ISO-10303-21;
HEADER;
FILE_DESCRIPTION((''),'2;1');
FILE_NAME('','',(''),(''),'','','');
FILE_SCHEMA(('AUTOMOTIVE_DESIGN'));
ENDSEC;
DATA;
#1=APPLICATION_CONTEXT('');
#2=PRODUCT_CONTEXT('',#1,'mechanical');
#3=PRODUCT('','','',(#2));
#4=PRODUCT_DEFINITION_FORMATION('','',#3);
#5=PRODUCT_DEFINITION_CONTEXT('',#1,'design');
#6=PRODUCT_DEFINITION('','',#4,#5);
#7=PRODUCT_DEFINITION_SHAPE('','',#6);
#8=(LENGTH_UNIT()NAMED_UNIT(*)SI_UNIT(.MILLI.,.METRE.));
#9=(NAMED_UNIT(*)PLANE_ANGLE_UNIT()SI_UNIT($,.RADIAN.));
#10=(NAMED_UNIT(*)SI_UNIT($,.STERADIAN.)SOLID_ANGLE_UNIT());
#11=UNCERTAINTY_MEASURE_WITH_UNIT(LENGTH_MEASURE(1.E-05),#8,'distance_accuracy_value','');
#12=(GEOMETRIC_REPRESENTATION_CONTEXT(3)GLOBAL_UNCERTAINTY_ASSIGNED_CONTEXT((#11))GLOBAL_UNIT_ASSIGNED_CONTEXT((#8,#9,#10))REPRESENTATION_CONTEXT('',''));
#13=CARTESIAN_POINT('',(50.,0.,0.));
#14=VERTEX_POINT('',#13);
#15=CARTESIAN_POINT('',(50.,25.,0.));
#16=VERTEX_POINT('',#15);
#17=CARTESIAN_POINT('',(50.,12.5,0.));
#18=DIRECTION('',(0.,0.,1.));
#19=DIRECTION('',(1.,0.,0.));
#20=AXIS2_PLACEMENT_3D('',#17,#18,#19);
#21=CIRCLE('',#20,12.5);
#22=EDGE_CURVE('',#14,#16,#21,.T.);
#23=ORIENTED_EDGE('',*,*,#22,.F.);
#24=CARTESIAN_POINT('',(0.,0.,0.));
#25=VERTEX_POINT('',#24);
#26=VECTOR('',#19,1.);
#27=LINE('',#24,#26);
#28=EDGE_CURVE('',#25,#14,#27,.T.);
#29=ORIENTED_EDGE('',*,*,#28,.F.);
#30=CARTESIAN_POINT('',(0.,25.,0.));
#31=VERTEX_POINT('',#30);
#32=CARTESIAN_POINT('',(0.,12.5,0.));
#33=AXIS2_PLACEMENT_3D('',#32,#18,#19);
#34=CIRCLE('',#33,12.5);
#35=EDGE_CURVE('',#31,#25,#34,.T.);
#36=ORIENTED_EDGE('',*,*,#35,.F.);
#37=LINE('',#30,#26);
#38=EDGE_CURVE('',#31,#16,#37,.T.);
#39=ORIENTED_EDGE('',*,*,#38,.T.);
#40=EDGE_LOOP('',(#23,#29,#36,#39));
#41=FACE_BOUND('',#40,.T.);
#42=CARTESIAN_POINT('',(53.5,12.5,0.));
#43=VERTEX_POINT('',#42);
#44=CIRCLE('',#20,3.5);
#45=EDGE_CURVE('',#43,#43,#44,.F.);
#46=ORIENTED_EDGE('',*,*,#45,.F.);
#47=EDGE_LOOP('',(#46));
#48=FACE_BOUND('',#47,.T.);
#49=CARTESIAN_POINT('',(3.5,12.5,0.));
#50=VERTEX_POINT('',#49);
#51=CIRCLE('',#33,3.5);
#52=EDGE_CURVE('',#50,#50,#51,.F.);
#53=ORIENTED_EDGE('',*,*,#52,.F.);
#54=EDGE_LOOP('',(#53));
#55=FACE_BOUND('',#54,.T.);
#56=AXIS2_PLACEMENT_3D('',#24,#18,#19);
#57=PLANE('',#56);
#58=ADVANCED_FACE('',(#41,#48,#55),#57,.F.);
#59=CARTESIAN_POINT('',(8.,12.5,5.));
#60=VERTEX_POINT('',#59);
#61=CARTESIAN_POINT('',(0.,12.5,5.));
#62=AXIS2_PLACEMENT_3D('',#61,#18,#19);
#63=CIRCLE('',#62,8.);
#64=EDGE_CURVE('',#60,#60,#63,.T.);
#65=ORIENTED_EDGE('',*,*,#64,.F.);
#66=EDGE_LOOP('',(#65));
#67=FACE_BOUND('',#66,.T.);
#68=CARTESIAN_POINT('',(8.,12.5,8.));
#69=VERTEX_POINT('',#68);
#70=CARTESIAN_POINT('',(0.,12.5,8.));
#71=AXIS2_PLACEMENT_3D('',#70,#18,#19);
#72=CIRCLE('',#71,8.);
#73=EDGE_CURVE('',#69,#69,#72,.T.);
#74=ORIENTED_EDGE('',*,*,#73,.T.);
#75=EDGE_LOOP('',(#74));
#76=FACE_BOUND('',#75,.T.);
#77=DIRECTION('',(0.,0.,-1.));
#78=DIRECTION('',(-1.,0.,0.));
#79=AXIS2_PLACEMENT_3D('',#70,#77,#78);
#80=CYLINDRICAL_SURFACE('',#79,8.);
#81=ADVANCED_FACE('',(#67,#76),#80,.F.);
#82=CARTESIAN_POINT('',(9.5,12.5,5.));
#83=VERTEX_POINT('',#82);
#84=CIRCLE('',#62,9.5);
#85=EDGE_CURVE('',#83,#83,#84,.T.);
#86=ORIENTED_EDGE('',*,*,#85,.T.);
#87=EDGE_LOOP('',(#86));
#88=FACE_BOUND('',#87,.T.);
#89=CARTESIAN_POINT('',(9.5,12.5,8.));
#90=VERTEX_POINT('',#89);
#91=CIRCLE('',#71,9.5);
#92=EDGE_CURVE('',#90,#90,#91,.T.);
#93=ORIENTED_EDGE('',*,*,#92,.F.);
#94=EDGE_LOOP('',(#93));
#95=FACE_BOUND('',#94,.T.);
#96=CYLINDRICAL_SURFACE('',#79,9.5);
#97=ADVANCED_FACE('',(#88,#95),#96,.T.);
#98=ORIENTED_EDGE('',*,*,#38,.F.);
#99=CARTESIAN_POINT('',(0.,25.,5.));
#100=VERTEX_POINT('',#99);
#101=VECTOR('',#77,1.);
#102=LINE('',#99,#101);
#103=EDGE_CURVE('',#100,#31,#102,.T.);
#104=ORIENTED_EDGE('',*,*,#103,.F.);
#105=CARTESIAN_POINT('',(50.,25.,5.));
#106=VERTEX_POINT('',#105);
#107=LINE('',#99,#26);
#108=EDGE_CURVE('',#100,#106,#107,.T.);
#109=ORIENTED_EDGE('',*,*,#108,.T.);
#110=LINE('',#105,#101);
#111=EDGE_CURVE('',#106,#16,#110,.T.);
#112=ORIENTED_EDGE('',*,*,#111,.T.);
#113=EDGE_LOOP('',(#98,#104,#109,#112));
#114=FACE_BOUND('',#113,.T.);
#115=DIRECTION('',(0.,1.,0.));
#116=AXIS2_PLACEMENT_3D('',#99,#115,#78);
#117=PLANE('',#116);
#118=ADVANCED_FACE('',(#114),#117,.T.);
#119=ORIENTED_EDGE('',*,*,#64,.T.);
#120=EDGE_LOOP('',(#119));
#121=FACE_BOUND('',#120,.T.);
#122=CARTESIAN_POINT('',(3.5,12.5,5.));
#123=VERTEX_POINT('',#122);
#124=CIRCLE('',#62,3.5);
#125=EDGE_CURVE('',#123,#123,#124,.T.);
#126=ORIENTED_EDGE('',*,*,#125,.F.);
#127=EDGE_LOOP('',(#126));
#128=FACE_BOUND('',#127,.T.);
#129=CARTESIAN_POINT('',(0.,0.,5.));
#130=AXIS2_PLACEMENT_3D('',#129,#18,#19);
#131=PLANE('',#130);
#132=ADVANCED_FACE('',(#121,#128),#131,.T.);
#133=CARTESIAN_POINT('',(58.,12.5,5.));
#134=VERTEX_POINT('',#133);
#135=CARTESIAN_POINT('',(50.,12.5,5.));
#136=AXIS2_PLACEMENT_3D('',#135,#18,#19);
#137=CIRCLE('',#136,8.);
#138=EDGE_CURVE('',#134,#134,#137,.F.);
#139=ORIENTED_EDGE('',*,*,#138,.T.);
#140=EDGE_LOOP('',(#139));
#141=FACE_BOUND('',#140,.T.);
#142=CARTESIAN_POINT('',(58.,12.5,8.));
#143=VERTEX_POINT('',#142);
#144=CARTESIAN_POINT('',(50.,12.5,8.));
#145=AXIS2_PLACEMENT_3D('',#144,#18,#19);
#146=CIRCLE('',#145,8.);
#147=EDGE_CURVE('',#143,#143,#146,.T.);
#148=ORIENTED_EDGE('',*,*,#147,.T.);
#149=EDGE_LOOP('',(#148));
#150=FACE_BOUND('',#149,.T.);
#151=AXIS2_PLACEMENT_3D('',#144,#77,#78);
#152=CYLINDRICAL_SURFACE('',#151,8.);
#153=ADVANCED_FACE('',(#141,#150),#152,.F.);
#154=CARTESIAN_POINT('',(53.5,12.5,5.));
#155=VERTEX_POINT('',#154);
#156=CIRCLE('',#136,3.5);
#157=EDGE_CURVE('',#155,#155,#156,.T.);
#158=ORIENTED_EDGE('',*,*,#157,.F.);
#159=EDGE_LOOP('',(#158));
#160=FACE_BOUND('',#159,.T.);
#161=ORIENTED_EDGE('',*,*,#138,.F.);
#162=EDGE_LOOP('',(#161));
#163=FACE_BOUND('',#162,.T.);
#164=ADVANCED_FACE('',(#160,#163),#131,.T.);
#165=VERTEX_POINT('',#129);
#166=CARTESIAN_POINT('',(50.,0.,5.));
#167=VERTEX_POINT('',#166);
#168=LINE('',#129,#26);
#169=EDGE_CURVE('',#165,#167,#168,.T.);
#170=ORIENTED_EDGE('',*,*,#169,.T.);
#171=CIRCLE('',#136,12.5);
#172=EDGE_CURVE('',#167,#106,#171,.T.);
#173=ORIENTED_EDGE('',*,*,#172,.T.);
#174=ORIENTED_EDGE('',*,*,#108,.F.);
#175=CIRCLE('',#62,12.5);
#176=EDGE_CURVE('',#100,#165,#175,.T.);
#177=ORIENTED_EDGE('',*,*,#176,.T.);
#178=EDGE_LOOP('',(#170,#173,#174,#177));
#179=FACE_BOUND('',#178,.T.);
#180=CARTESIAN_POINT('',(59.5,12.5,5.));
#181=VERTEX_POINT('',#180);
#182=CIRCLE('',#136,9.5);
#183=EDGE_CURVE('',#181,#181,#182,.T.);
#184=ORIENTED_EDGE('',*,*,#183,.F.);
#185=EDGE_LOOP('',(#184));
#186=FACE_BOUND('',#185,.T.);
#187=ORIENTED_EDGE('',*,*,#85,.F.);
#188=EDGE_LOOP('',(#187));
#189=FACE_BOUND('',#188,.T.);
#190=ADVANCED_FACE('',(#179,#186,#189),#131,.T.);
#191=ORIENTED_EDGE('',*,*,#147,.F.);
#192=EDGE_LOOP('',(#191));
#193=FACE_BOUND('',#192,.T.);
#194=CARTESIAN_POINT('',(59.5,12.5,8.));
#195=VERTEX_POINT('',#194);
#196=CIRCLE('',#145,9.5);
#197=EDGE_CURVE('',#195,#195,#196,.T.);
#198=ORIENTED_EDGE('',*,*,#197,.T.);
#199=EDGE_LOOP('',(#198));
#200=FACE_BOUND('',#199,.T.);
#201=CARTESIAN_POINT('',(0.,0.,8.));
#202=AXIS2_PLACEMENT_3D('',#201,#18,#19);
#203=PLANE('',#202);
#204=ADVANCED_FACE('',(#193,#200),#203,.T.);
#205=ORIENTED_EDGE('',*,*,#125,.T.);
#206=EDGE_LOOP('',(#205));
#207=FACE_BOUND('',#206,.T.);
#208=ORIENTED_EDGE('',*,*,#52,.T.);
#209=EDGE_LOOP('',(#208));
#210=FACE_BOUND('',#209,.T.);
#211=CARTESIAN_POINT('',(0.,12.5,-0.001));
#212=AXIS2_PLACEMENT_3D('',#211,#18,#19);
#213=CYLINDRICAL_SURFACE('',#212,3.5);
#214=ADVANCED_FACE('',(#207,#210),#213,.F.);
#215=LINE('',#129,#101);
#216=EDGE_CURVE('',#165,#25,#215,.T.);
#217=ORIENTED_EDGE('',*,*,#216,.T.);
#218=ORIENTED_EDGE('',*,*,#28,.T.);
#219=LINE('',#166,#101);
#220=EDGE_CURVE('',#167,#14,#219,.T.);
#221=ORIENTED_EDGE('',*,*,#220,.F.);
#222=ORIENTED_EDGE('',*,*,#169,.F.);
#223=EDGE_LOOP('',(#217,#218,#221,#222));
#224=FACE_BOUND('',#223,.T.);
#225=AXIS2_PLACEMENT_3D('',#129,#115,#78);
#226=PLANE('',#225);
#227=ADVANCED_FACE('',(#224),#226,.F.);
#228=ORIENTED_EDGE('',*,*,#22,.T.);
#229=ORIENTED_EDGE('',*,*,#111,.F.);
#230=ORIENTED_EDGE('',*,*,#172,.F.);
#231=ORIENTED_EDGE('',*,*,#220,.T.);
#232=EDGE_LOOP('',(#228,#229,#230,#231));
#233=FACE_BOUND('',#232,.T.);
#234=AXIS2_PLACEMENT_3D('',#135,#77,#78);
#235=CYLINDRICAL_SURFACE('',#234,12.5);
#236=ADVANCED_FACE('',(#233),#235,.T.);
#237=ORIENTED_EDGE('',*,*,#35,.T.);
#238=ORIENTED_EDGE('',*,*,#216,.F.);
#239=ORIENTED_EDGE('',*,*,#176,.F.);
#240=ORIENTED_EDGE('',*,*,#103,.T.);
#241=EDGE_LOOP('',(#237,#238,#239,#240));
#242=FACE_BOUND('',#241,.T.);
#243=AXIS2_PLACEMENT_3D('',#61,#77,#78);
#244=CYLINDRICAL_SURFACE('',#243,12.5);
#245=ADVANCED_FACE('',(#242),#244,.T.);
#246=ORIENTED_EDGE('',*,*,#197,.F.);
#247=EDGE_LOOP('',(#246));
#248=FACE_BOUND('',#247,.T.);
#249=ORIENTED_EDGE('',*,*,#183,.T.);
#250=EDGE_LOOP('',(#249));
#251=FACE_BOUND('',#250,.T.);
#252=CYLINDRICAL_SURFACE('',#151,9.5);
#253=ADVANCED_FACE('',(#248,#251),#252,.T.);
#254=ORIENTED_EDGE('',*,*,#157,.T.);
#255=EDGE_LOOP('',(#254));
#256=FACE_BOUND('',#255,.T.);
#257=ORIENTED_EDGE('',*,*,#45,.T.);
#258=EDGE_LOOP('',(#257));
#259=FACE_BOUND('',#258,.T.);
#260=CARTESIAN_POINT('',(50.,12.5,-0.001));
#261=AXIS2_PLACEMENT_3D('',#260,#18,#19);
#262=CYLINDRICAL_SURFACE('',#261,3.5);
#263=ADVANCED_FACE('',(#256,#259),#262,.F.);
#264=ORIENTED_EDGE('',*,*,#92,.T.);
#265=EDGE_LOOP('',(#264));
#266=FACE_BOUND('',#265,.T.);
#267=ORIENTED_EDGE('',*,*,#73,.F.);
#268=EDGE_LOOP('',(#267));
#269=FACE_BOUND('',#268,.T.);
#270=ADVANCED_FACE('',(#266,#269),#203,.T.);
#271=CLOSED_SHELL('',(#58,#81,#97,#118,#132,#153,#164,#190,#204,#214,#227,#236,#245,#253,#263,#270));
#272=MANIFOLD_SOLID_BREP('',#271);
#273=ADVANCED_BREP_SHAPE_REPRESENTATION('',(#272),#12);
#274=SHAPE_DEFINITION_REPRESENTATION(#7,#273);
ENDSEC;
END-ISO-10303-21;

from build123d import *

# Parameters (mm, degrees)
SKETCH1_R           = 12.5
SKETCH1_W           = 50
SKETCH1_H           = 25
BOSS_EXTRUDE2_DEPTH = 5
CUT_EXTRUDE3_REACH  = 69.5
SKETCH3_R           = 3.5
SKETCH3_3_R         = 9.5
SKETCH3_3_R_2       = 8
BOSS_EXTRUDE3_DEPTH = 3


with BuildPart() as part:
    # Sketch1 → Boss-Extrude2 (new body)
    with BuildSketch(Plane.XY):
        with Locations((0, 12.5)):
            Circle(SKETCH1_R)
        with Locations((50, 12.5)):
            Circle(SKETCH1_R)
        with Locations((25, 12.5)):
            Rectangle(SKETCH1_W, SKETCH1_H)
    extrude(amount=BOSS_EXTRUDE2_DEPTH)

    # Sketch3 → Cut-Extrude3 (cut, up to next)
    with BuildSketch(Plane.XY.offset(5), mode=Mode.PRIVATE) as cut_extrude3_sk1:
        with Locations((0, 12.5)):
            Circle(SKETCH3_R)
    cut_extrude3_tool1 = extrude(cut_extrude3_sk1.sketch, amount=-CUT_EXTRUDE3_REACH, mode=Mode.PRIVATE) & part.part
    # Sketch3 → Cut-Extrude3 (cut, up to next)
    with BuildSketch(Plane.XY.offset(5), mode=Mode.PRIVATE) as cut_extrude3_sk2:
        with Locations((50, 12.5)):
            Circle(SKETCH3_R)
    cut_extrude3_tool2 = extrude(cut_extrude3_sk2.sketch, amount=-CUT_EXTRUDE3_REACH, mode=Mode.PRIVATE) & part.part
    add(cut_extrude3_tool1.solids().sort_by_distance((0, 12.5, 5))[0], mode=Mode.SUBTRACT)
    add(cut_extrude3_tool2.solids().sort_by_distance((50, 12.5, 5))[0], mode=Mode.SUBTRACT)

    # Sketch3<3> → Boss-Extrude3 (add)
    # profile 1 of 2: a face of its own
    with BuildSketch(Plane.XY.offset(5)):
        with Locations((0, 12.5)):
            Circle(SKETCH3_3_R)
        with Locations((0, 12.5)):
            Circle(SKETCH3_3_R_2, mode=Mode.SUBTRACT)
    # profile 2 of 2: a face of its own
    with BuildSketch(Plane.XY.offset(5)):
        with Locations((50, 12.5)):
            Circle(SKETCH3_3_R)
        with Locations((50, 12.5)):
            Circle(SKETCH3_3_R_2, mode=Mode.SUBTRACT)
    extrude(amount=BOSS_EXTRUDE3_DEPTH)


solid = part.part
